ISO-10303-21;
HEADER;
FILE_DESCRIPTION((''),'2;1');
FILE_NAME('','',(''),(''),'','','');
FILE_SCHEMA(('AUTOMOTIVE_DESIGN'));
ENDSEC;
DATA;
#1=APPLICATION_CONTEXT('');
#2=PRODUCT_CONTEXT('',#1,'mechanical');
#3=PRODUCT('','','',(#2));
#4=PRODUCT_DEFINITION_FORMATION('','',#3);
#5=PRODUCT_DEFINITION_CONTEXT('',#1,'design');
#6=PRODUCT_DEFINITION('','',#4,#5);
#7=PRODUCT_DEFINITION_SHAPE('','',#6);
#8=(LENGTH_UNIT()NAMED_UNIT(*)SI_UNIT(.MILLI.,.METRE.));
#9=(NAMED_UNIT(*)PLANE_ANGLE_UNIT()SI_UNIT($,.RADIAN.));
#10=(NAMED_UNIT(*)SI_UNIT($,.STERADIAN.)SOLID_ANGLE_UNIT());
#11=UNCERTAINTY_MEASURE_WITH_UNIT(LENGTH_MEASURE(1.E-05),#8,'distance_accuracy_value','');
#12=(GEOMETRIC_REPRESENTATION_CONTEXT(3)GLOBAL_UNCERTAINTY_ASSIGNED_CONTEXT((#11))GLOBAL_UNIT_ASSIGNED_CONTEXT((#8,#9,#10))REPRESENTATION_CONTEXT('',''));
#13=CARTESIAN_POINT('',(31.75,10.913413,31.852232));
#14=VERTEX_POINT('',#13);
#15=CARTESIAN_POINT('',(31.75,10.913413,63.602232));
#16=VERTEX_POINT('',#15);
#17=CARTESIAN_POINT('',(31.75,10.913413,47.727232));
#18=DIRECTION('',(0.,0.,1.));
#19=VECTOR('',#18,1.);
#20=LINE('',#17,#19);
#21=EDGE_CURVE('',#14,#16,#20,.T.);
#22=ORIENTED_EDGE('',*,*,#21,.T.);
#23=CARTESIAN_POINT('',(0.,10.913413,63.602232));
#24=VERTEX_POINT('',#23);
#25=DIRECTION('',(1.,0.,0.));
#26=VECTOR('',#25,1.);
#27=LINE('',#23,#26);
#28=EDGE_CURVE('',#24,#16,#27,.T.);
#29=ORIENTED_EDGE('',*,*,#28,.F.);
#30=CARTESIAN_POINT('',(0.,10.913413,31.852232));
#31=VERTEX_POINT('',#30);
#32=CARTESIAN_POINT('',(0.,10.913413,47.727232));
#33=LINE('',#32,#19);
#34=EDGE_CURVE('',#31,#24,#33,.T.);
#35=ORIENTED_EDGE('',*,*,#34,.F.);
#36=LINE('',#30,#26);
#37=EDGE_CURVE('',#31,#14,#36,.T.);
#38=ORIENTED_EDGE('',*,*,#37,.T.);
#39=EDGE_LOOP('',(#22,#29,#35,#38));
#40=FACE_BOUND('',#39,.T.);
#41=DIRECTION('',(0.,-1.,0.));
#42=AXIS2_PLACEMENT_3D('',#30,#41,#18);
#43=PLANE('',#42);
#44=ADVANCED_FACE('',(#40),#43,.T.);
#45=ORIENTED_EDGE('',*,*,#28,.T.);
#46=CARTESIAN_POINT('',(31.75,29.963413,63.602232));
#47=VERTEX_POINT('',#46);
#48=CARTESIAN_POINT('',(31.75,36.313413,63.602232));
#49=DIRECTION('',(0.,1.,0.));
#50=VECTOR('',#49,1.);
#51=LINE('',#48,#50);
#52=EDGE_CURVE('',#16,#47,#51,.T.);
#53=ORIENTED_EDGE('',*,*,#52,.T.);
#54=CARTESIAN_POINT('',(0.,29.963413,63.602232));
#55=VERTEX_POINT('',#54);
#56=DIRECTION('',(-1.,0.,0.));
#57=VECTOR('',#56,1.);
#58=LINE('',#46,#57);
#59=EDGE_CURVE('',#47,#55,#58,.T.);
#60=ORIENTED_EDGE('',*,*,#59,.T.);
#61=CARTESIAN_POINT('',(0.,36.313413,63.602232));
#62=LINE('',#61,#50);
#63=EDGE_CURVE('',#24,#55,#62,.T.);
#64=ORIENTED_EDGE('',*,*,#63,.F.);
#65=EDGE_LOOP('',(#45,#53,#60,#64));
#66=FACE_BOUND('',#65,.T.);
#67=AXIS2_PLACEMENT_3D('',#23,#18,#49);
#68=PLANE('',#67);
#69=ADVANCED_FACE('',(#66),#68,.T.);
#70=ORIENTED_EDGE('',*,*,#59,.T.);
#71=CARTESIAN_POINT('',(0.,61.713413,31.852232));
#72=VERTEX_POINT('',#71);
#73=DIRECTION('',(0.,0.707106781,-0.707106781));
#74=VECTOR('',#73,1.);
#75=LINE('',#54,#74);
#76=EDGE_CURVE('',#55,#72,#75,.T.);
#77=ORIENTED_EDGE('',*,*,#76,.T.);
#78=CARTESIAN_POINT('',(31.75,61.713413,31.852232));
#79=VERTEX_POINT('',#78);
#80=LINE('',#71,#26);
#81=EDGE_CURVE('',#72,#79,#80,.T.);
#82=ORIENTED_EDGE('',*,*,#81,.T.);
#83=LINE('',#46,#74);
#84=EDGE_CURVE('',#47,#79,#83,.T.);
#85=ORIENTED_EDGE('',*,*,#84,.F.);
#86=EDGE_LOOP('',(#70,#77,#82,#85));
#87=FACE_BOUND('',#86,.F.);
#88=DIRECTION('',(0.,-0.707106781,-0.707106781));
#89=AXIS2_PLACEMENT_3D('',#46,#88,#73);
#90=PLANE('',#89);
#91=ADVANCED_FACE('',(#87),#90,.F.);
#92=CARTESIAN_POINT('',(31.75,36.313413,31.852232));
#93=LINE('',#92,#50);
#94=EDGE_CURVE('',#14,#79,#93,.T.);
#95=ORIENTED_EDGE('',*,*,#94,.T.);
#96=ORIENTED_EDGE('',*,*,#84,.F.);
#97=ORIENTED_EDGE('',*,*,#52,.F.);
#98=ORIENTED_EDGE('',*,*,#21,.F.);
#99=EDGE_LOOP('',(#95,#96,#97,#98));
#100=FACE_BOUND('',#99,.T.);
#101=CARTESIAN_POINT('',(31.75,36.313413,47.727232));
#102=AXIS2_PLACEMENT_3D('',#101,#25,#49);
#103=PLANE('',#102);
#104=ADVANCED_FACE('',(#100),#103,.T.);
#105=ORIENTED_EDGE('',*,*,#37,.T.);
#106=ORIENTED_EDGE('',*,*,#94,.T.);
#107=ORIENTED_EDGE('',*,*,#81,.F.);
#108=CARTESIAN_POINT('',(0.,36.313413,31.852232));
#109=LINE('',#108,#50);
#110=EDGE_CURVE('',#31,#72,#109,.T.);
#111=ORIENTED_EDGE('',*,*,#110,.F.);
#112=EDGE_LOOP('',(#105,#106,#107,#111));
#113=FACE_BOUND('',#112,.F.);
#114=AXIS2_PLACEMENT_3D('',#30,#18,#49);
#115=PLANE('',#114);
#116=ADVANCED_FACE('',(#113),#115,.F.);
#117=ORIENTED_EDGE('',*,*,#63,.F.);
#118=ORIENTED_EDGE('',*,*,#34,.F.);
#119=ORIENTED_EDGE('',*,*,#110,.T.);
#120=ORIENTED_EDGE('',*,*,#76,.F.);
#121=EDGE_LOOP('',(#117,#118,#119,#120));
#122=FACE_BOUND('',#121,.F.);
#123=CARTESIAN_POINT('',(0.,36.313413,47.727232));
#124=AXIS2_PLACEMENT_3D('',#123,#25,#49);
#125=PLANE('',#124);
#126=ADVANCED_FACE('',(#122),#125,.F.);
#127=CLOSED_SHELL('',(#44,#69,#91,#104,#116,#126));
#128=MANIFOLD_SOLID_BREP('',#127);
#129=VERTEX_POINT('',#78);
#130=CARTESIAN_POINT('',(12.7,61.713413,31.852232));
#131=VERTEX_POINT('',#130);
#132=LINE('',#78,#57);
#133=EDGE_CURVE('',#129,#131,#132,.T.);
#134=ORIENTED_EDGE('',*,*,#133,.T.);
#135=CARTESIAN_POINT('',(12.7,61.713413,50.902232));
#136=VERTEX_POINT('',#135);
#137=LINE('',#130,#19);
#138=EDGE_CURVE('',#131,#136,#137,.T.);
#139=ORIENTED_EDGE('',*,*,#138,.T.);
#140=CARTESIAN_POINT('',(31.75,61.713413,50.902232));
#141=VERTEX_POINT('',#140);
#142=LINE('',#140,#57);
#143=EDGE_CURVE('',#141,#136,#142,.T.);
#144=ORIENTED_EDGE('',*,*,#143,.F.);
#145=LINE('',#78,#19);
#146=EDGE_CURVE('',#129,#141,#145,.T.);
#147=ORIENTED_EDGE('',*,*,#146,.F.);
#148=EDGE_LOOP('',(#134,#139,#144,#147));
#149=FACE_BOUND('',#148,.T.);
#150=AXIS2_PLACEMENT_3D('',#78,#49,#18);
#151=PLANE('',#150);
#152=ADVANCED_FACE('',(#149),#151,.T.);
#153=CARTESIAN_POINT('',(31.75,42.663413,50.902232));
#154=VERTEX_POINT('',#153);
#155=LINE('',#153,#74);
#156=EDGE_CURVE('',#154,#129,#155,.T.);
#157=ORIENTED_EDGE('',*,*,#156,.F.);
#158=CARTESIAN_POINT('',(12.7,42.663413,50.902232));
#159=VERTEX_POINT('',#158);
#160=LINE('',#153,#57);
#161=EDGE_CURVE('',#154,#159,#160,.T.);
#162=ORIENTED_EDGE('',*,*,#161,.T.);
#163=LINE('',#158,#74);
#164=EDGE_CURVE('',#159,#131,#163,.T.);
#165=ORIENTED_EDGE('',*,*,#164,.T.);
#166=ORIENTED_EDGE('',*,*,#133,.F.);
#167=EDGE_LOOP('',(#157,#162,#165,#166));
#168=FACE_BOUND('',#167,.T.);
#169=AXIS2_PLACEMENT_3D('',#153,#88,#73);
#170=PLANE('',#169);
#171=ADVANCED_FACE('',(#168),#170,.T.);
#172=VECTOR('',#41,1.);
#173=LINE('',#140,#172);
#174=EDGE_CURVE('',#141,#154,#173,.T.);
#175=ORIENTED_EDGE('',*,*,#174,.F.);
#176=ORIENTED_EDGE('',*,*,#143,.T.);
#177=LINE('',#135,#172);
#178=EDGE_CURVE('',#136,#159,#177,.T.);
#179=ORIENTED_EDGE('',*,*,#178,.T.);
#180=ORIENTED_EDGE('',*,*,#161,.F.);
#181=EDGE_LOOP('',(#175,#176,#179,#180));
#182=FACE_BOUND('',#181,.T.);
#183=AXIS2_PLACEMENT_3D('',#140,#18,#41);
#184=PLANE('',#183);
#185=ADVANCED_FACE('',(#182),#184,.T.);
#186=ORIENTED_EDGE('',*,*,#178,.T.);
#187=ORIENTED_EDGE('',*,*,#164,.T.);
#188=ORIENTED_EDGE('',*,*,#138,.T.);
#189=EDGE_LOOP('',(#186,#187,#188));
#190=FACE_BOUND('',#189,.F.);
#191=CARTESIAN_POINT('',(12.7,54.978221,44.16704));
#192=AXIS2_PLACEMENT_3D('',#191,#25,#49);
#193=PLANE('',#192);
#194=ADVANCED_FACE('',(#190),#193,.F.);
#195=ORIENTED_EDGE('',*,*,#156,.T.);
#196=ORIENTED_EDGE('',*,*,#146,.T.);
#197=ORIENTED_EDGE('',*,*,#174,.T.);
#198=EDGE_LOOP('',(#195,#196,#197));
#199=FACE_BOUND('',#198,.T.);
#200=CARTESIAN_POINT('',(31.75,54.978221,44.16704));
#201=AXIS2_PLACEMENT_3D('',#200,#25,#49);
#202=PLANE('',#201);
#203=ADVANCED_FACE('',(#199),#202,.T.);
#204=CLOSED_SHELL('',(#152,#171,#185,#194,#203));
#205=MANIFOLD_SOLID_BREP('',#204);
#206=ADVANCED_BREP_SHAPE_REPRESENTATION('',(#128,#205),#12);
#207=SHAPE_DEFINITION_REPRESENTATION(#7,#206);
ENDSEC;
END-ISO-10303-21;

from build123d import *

# Parameters (mm, degrees)
F0_W     = 50.8
F0_H     = 31.75
F1_DEPTH = 31.75
F3_DEPTH = 31.75
F5_DEPTH = 19.05


with BuildPart() as f1:
    # F0 (on Right) → F1 (new body)
    with BuildSketch(Plane.YZ):
        with Locations((36.313413, 47.727232)):
            Rectangle(F0_W, F0_H)
    extrude(amount=F1_DEPTH)

    # F2 (on face) → F3 (cut)
    with BuildSketch(Plane.YZ.offset(31.75)):
        Polygon((61.713413, 63.602232), (29.963413, 63.602232), (61.713413, 31.852232), align=None)
    extrude(amount=-F3_DEPTH, mode=Mode.SUBTRACT)


with BuildPart() as f5:
    # F4 (on face) → F5 (new body)
    with BuildSketch(Plane.YZ.offset(31.75)):
        Polygon((61.713413, 50.902232), (42.663413, 50.902232), (61.713413, 31.852232), align=None)
    extrude(amount=-F5_DEPTH)


solid = Compound([f1.part, f5.part])
